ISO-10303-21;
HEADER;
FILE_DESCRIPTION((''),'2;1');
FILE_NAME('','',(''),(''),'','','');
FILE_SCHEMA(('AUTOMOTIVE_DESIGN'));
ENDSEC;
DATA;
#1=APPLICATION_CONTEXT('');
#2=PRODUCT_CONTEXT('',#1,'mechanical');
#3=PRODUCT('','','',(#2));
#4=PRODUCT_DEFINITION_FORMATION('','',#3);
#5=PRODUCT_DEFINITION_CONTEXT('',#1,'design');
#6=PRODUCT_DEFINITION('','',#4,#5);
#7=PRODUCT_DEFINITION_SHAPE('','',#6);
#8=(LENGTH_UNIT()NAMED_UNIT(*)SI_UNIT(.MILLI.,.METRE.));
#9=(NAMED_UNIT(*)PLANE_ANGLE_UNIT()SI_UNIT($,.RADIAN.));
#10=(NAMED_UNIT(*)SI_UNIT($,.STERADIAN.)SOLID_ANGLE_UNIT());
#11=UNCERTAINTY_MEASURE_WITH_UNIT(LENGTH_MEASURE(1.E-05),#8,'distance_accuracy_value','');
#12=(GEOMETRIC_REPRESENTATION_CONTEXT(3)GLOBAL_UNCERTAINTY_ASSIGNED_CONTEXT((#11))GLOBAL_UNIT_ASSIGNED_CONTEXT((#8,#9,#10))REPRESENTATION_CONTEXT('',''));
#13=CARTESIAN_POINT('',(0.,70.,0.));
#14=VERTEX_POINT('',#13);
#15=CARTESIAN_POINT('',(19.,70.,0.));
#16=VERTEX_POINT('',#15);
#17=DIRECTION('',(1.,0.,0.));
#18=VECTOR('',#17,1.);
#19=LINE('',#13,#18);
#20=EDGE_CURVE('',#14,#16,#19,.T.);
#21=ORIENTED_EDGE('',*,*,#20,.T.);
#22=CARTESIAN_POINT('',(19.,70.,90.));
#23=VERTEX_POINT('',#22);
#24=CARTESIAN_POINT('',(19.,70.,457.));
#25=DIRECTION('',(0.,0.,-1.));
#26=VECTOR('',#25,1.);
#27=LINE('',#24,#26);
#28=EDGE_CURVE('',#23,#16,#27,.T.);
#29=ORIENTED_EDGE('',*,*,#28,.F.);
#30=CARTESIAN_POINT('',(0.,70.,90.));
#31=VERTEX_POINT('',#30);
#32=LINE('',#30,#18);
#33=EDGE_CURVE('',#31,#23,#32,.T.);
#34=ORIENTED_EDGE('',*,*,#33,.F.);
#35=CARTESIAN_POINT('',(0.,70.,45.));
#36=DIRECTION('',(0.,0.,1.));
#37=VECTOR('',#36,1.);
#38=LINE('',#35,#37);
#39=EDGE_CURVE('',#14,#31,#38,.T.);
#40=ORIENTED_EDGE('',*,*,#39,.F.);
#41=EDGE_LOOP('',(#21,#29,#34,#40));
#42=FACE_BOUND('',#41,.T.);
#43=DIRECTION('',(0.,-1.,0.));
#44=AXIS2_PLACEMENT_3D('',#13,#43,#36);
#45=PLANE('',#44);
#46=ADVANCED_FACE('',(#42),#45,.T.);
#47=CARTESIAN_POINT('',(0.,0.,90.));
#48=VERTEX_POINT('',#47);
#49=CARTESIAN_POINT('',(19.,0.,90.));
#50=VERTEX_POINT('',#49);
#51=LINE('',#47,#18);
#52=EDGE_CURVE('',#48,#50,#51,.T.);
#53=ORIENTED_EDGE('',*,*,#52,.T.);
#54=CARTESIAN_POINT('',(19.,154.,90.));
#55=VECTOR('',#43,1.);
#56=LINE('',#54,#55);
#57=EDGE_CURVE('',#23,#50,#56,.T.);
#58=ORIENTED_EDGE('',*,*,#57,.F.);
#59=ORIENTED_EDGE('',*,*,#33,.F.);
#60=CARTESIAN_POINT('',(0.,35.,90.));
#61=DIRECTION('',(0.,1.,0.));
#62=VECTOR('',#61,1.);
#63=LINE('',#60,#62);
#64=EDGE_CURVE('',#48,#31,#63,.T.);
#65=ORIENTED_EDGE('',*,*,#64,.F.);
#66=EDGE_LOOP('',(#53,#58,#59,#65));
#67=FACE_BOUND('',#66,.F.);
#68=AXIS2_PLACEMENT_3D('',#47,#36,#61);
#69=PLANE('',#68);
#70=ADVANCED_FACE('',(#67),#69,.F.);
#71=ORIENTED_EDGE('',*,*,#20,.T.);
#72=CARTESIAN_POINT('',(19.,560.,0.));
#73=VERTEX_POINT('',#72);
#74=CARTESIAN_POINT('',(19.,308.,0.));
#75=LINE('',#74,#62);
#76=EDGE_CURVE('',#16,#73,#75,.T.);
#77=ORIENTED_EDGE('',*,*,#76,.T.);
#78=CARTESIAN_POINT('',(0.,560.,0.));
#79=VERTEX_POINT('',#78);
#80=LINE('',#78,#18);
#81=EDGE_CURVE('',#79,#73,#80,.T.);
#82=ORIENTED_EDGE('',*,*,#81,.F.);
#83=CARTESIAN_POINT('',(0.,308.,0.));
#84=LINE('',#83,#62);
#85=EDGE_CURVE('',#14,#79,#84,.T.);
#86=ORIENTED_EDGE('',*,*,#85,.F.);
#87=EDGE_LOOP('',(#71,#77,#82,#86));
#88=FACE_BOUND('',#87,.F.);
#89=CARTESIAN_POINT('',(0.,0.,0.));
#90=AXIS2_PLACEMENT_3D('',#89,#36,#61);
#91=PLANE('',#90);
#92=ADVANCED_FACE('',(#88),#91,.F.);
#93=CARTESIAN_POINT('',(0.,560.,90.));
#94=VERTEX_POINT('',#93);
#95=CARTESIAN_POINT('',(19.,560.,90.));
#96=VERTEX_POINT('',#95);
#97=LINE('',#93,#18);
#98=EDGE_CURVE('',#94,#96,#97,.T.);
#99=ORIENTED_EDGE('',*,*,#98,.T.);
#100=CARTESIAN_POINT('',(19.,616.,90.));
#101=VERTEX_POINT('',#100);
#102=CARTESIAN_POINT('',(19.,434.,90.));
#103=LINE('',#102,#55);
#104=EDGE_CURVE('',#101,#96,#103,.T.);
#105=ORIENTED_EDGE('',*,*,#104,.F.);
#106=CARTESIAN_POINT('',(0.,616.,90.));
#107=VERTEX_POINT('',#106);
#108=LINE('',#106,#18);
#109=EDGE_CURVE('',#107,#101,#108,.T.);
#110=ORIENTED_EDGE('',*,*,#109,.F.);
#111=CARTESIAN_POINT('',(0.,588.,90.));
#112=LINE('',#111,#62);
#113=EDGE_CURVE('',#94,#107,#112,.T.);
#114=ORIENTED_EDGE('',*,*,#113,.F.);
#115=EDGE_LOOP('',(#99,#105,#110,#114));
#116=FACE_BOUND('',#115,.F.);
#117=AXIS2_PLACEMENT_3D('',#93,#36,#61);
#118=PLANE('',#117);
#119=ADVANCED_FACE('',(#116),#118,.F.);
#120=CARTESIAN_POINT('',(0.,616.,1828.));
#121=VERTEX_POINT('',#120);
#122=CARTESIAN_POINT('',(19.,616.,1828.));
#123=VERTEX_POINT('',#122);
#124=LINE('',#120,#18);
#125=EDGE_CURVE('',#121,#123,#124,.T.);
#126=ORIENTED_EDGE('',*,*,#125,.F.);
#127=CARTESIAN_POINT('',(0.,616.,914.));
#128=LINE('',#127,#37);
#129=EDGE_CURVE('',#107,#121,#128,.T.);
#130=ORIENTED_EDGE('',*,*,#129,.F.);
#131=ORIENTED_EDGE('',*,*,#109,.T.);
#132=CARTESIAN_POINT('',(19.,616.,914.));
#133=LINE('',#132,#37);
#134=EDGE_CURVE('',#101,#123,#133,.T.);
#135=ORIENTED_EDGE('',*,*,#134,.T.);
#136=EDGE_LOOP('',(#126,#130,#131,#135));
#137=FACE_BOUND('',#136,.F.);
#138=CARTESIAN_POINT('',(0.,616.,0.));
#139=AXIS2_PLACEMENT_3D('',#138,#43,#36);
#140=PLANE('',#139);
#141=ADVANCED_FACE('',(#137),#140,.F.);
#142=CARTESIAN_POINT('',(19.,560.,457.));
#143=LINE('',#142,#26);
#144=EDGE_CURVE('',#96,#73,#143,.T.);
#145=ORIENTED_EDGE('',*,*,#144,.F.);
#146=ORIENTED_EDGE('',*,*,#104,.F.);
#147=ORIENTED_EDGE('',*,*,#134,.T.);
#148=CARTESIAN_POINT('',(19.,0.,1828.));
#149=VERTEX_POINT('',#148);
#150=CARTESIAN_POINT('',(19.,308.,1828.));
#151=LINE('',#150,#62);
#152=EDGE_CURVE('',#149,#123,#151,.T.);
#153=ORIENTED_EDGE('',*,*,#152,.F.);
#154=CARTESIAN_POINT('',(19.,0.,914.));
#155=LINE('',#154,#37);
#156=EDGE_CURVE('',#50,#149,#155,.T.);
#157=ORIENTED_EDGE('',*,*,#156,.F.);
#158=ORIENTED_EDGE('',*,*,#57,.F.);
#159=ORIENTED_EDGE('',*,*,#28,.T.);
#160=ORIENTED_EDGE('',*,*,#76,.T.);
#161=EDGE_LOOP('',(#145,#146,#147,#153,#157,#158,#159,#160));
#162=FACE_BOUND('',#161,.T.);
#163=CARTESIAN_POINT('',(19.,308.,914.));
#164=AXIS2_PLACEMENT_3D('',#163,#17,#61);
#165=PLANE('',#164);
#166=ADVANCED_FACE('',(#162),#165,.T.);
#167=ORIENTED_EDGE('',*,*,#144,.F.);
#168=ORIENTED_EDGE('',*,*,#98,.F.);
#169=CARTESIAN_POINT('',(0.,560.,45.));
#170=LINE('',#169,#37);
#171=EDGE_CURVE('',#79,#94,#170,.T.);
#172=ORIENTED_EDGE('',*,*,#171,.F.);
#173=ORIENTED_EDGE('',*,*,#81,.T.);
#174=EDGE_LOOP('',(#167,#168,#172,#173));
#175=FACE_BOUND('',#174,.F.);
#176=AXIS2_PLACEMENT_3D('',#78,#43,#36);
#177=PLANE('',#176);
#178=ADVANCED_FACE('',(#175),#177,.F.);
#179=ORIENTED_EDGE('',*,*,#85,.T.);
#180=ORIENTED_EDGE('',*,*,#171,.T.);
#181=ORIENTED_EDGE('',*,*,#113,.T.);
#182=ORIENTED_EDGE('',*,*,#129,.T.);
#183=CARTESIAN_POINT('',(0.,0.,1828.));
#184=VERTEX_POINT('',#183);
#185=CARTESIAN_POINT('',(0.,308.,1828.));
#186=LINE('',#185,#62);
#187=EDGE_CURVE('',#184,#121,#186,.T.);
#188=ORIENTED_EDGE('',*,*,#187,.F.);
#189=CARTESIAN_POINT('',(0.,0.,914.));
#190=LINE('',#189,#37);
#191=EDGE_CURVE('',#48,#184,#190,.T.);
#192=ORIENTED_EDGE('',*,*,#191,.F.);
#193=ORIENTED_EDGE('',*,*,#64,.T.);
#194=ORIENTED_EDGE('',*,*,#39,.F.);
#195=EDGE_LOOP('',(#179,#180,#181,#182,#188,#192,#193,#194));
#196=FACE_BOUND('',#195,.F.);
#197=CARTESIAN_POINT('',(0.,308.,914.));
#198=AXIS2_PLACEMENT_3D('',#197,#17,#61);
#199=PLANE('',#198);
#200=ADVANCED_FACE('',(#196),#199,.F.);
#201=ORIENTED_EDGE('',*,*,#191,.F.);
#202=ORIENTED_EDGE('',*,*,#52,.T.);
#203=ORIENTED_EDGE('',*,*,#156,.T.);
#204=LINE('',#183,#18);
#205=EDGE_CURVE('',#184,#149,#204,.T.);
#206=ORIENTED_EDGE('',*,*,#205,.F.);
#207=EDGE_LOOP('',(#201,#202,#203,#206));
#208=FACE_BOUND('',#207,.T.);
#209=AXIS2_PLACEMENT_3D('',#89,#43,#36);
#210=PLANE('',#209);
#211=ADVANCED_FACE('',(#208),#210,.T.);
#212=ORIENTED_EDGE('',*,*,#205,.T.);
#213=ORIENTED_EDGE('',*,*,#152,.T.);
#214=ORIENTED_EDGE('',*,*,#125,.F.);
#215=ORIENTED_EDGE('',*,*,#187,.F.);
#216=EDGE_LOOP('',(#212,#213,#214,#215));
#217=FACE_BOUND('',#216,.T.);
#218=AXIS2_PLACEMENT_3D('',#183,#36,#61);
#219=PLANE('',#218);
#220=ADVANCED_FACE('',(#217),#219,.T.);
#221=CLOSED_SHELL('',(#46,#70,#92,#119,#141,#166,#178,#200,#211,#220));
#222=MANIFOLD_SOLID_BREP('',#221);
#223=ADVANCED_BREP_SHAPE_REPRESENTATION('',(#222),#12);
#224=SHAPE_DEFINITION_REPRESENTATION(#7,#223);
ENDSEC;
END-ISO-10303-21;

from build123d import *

# Parameters (mm, degrees)
F0_W     = 616
F0_H     = 1828
F1_DEPTH = 19
F2_W     = 56
F2_H     = 90
F2_W_2   = 70
F3_DEPTH = 19.001


with BuildPart() as f1:
    # F0 (on Right) → F1 (new body)
    with BuildSketch(Plane.YZ):
        with Locations((308, 914)):
            Rectangle(F0_W, F0_H)
    extrude(amount=F1_DEPTH)

    # F2 (on Right) → F3 (cut, through all)
    with BuildSketch(Plane.YZ):
        with Locations((588, 45)):
            Rectangle(F2_W, F2_H)
        with Locations((35, 45)):
            Rectangle(F2_W_2, F2_H)
    extrude(amount=F3_DEPTH, mode=Mode.SUBTRACT)


solid = f1.part
